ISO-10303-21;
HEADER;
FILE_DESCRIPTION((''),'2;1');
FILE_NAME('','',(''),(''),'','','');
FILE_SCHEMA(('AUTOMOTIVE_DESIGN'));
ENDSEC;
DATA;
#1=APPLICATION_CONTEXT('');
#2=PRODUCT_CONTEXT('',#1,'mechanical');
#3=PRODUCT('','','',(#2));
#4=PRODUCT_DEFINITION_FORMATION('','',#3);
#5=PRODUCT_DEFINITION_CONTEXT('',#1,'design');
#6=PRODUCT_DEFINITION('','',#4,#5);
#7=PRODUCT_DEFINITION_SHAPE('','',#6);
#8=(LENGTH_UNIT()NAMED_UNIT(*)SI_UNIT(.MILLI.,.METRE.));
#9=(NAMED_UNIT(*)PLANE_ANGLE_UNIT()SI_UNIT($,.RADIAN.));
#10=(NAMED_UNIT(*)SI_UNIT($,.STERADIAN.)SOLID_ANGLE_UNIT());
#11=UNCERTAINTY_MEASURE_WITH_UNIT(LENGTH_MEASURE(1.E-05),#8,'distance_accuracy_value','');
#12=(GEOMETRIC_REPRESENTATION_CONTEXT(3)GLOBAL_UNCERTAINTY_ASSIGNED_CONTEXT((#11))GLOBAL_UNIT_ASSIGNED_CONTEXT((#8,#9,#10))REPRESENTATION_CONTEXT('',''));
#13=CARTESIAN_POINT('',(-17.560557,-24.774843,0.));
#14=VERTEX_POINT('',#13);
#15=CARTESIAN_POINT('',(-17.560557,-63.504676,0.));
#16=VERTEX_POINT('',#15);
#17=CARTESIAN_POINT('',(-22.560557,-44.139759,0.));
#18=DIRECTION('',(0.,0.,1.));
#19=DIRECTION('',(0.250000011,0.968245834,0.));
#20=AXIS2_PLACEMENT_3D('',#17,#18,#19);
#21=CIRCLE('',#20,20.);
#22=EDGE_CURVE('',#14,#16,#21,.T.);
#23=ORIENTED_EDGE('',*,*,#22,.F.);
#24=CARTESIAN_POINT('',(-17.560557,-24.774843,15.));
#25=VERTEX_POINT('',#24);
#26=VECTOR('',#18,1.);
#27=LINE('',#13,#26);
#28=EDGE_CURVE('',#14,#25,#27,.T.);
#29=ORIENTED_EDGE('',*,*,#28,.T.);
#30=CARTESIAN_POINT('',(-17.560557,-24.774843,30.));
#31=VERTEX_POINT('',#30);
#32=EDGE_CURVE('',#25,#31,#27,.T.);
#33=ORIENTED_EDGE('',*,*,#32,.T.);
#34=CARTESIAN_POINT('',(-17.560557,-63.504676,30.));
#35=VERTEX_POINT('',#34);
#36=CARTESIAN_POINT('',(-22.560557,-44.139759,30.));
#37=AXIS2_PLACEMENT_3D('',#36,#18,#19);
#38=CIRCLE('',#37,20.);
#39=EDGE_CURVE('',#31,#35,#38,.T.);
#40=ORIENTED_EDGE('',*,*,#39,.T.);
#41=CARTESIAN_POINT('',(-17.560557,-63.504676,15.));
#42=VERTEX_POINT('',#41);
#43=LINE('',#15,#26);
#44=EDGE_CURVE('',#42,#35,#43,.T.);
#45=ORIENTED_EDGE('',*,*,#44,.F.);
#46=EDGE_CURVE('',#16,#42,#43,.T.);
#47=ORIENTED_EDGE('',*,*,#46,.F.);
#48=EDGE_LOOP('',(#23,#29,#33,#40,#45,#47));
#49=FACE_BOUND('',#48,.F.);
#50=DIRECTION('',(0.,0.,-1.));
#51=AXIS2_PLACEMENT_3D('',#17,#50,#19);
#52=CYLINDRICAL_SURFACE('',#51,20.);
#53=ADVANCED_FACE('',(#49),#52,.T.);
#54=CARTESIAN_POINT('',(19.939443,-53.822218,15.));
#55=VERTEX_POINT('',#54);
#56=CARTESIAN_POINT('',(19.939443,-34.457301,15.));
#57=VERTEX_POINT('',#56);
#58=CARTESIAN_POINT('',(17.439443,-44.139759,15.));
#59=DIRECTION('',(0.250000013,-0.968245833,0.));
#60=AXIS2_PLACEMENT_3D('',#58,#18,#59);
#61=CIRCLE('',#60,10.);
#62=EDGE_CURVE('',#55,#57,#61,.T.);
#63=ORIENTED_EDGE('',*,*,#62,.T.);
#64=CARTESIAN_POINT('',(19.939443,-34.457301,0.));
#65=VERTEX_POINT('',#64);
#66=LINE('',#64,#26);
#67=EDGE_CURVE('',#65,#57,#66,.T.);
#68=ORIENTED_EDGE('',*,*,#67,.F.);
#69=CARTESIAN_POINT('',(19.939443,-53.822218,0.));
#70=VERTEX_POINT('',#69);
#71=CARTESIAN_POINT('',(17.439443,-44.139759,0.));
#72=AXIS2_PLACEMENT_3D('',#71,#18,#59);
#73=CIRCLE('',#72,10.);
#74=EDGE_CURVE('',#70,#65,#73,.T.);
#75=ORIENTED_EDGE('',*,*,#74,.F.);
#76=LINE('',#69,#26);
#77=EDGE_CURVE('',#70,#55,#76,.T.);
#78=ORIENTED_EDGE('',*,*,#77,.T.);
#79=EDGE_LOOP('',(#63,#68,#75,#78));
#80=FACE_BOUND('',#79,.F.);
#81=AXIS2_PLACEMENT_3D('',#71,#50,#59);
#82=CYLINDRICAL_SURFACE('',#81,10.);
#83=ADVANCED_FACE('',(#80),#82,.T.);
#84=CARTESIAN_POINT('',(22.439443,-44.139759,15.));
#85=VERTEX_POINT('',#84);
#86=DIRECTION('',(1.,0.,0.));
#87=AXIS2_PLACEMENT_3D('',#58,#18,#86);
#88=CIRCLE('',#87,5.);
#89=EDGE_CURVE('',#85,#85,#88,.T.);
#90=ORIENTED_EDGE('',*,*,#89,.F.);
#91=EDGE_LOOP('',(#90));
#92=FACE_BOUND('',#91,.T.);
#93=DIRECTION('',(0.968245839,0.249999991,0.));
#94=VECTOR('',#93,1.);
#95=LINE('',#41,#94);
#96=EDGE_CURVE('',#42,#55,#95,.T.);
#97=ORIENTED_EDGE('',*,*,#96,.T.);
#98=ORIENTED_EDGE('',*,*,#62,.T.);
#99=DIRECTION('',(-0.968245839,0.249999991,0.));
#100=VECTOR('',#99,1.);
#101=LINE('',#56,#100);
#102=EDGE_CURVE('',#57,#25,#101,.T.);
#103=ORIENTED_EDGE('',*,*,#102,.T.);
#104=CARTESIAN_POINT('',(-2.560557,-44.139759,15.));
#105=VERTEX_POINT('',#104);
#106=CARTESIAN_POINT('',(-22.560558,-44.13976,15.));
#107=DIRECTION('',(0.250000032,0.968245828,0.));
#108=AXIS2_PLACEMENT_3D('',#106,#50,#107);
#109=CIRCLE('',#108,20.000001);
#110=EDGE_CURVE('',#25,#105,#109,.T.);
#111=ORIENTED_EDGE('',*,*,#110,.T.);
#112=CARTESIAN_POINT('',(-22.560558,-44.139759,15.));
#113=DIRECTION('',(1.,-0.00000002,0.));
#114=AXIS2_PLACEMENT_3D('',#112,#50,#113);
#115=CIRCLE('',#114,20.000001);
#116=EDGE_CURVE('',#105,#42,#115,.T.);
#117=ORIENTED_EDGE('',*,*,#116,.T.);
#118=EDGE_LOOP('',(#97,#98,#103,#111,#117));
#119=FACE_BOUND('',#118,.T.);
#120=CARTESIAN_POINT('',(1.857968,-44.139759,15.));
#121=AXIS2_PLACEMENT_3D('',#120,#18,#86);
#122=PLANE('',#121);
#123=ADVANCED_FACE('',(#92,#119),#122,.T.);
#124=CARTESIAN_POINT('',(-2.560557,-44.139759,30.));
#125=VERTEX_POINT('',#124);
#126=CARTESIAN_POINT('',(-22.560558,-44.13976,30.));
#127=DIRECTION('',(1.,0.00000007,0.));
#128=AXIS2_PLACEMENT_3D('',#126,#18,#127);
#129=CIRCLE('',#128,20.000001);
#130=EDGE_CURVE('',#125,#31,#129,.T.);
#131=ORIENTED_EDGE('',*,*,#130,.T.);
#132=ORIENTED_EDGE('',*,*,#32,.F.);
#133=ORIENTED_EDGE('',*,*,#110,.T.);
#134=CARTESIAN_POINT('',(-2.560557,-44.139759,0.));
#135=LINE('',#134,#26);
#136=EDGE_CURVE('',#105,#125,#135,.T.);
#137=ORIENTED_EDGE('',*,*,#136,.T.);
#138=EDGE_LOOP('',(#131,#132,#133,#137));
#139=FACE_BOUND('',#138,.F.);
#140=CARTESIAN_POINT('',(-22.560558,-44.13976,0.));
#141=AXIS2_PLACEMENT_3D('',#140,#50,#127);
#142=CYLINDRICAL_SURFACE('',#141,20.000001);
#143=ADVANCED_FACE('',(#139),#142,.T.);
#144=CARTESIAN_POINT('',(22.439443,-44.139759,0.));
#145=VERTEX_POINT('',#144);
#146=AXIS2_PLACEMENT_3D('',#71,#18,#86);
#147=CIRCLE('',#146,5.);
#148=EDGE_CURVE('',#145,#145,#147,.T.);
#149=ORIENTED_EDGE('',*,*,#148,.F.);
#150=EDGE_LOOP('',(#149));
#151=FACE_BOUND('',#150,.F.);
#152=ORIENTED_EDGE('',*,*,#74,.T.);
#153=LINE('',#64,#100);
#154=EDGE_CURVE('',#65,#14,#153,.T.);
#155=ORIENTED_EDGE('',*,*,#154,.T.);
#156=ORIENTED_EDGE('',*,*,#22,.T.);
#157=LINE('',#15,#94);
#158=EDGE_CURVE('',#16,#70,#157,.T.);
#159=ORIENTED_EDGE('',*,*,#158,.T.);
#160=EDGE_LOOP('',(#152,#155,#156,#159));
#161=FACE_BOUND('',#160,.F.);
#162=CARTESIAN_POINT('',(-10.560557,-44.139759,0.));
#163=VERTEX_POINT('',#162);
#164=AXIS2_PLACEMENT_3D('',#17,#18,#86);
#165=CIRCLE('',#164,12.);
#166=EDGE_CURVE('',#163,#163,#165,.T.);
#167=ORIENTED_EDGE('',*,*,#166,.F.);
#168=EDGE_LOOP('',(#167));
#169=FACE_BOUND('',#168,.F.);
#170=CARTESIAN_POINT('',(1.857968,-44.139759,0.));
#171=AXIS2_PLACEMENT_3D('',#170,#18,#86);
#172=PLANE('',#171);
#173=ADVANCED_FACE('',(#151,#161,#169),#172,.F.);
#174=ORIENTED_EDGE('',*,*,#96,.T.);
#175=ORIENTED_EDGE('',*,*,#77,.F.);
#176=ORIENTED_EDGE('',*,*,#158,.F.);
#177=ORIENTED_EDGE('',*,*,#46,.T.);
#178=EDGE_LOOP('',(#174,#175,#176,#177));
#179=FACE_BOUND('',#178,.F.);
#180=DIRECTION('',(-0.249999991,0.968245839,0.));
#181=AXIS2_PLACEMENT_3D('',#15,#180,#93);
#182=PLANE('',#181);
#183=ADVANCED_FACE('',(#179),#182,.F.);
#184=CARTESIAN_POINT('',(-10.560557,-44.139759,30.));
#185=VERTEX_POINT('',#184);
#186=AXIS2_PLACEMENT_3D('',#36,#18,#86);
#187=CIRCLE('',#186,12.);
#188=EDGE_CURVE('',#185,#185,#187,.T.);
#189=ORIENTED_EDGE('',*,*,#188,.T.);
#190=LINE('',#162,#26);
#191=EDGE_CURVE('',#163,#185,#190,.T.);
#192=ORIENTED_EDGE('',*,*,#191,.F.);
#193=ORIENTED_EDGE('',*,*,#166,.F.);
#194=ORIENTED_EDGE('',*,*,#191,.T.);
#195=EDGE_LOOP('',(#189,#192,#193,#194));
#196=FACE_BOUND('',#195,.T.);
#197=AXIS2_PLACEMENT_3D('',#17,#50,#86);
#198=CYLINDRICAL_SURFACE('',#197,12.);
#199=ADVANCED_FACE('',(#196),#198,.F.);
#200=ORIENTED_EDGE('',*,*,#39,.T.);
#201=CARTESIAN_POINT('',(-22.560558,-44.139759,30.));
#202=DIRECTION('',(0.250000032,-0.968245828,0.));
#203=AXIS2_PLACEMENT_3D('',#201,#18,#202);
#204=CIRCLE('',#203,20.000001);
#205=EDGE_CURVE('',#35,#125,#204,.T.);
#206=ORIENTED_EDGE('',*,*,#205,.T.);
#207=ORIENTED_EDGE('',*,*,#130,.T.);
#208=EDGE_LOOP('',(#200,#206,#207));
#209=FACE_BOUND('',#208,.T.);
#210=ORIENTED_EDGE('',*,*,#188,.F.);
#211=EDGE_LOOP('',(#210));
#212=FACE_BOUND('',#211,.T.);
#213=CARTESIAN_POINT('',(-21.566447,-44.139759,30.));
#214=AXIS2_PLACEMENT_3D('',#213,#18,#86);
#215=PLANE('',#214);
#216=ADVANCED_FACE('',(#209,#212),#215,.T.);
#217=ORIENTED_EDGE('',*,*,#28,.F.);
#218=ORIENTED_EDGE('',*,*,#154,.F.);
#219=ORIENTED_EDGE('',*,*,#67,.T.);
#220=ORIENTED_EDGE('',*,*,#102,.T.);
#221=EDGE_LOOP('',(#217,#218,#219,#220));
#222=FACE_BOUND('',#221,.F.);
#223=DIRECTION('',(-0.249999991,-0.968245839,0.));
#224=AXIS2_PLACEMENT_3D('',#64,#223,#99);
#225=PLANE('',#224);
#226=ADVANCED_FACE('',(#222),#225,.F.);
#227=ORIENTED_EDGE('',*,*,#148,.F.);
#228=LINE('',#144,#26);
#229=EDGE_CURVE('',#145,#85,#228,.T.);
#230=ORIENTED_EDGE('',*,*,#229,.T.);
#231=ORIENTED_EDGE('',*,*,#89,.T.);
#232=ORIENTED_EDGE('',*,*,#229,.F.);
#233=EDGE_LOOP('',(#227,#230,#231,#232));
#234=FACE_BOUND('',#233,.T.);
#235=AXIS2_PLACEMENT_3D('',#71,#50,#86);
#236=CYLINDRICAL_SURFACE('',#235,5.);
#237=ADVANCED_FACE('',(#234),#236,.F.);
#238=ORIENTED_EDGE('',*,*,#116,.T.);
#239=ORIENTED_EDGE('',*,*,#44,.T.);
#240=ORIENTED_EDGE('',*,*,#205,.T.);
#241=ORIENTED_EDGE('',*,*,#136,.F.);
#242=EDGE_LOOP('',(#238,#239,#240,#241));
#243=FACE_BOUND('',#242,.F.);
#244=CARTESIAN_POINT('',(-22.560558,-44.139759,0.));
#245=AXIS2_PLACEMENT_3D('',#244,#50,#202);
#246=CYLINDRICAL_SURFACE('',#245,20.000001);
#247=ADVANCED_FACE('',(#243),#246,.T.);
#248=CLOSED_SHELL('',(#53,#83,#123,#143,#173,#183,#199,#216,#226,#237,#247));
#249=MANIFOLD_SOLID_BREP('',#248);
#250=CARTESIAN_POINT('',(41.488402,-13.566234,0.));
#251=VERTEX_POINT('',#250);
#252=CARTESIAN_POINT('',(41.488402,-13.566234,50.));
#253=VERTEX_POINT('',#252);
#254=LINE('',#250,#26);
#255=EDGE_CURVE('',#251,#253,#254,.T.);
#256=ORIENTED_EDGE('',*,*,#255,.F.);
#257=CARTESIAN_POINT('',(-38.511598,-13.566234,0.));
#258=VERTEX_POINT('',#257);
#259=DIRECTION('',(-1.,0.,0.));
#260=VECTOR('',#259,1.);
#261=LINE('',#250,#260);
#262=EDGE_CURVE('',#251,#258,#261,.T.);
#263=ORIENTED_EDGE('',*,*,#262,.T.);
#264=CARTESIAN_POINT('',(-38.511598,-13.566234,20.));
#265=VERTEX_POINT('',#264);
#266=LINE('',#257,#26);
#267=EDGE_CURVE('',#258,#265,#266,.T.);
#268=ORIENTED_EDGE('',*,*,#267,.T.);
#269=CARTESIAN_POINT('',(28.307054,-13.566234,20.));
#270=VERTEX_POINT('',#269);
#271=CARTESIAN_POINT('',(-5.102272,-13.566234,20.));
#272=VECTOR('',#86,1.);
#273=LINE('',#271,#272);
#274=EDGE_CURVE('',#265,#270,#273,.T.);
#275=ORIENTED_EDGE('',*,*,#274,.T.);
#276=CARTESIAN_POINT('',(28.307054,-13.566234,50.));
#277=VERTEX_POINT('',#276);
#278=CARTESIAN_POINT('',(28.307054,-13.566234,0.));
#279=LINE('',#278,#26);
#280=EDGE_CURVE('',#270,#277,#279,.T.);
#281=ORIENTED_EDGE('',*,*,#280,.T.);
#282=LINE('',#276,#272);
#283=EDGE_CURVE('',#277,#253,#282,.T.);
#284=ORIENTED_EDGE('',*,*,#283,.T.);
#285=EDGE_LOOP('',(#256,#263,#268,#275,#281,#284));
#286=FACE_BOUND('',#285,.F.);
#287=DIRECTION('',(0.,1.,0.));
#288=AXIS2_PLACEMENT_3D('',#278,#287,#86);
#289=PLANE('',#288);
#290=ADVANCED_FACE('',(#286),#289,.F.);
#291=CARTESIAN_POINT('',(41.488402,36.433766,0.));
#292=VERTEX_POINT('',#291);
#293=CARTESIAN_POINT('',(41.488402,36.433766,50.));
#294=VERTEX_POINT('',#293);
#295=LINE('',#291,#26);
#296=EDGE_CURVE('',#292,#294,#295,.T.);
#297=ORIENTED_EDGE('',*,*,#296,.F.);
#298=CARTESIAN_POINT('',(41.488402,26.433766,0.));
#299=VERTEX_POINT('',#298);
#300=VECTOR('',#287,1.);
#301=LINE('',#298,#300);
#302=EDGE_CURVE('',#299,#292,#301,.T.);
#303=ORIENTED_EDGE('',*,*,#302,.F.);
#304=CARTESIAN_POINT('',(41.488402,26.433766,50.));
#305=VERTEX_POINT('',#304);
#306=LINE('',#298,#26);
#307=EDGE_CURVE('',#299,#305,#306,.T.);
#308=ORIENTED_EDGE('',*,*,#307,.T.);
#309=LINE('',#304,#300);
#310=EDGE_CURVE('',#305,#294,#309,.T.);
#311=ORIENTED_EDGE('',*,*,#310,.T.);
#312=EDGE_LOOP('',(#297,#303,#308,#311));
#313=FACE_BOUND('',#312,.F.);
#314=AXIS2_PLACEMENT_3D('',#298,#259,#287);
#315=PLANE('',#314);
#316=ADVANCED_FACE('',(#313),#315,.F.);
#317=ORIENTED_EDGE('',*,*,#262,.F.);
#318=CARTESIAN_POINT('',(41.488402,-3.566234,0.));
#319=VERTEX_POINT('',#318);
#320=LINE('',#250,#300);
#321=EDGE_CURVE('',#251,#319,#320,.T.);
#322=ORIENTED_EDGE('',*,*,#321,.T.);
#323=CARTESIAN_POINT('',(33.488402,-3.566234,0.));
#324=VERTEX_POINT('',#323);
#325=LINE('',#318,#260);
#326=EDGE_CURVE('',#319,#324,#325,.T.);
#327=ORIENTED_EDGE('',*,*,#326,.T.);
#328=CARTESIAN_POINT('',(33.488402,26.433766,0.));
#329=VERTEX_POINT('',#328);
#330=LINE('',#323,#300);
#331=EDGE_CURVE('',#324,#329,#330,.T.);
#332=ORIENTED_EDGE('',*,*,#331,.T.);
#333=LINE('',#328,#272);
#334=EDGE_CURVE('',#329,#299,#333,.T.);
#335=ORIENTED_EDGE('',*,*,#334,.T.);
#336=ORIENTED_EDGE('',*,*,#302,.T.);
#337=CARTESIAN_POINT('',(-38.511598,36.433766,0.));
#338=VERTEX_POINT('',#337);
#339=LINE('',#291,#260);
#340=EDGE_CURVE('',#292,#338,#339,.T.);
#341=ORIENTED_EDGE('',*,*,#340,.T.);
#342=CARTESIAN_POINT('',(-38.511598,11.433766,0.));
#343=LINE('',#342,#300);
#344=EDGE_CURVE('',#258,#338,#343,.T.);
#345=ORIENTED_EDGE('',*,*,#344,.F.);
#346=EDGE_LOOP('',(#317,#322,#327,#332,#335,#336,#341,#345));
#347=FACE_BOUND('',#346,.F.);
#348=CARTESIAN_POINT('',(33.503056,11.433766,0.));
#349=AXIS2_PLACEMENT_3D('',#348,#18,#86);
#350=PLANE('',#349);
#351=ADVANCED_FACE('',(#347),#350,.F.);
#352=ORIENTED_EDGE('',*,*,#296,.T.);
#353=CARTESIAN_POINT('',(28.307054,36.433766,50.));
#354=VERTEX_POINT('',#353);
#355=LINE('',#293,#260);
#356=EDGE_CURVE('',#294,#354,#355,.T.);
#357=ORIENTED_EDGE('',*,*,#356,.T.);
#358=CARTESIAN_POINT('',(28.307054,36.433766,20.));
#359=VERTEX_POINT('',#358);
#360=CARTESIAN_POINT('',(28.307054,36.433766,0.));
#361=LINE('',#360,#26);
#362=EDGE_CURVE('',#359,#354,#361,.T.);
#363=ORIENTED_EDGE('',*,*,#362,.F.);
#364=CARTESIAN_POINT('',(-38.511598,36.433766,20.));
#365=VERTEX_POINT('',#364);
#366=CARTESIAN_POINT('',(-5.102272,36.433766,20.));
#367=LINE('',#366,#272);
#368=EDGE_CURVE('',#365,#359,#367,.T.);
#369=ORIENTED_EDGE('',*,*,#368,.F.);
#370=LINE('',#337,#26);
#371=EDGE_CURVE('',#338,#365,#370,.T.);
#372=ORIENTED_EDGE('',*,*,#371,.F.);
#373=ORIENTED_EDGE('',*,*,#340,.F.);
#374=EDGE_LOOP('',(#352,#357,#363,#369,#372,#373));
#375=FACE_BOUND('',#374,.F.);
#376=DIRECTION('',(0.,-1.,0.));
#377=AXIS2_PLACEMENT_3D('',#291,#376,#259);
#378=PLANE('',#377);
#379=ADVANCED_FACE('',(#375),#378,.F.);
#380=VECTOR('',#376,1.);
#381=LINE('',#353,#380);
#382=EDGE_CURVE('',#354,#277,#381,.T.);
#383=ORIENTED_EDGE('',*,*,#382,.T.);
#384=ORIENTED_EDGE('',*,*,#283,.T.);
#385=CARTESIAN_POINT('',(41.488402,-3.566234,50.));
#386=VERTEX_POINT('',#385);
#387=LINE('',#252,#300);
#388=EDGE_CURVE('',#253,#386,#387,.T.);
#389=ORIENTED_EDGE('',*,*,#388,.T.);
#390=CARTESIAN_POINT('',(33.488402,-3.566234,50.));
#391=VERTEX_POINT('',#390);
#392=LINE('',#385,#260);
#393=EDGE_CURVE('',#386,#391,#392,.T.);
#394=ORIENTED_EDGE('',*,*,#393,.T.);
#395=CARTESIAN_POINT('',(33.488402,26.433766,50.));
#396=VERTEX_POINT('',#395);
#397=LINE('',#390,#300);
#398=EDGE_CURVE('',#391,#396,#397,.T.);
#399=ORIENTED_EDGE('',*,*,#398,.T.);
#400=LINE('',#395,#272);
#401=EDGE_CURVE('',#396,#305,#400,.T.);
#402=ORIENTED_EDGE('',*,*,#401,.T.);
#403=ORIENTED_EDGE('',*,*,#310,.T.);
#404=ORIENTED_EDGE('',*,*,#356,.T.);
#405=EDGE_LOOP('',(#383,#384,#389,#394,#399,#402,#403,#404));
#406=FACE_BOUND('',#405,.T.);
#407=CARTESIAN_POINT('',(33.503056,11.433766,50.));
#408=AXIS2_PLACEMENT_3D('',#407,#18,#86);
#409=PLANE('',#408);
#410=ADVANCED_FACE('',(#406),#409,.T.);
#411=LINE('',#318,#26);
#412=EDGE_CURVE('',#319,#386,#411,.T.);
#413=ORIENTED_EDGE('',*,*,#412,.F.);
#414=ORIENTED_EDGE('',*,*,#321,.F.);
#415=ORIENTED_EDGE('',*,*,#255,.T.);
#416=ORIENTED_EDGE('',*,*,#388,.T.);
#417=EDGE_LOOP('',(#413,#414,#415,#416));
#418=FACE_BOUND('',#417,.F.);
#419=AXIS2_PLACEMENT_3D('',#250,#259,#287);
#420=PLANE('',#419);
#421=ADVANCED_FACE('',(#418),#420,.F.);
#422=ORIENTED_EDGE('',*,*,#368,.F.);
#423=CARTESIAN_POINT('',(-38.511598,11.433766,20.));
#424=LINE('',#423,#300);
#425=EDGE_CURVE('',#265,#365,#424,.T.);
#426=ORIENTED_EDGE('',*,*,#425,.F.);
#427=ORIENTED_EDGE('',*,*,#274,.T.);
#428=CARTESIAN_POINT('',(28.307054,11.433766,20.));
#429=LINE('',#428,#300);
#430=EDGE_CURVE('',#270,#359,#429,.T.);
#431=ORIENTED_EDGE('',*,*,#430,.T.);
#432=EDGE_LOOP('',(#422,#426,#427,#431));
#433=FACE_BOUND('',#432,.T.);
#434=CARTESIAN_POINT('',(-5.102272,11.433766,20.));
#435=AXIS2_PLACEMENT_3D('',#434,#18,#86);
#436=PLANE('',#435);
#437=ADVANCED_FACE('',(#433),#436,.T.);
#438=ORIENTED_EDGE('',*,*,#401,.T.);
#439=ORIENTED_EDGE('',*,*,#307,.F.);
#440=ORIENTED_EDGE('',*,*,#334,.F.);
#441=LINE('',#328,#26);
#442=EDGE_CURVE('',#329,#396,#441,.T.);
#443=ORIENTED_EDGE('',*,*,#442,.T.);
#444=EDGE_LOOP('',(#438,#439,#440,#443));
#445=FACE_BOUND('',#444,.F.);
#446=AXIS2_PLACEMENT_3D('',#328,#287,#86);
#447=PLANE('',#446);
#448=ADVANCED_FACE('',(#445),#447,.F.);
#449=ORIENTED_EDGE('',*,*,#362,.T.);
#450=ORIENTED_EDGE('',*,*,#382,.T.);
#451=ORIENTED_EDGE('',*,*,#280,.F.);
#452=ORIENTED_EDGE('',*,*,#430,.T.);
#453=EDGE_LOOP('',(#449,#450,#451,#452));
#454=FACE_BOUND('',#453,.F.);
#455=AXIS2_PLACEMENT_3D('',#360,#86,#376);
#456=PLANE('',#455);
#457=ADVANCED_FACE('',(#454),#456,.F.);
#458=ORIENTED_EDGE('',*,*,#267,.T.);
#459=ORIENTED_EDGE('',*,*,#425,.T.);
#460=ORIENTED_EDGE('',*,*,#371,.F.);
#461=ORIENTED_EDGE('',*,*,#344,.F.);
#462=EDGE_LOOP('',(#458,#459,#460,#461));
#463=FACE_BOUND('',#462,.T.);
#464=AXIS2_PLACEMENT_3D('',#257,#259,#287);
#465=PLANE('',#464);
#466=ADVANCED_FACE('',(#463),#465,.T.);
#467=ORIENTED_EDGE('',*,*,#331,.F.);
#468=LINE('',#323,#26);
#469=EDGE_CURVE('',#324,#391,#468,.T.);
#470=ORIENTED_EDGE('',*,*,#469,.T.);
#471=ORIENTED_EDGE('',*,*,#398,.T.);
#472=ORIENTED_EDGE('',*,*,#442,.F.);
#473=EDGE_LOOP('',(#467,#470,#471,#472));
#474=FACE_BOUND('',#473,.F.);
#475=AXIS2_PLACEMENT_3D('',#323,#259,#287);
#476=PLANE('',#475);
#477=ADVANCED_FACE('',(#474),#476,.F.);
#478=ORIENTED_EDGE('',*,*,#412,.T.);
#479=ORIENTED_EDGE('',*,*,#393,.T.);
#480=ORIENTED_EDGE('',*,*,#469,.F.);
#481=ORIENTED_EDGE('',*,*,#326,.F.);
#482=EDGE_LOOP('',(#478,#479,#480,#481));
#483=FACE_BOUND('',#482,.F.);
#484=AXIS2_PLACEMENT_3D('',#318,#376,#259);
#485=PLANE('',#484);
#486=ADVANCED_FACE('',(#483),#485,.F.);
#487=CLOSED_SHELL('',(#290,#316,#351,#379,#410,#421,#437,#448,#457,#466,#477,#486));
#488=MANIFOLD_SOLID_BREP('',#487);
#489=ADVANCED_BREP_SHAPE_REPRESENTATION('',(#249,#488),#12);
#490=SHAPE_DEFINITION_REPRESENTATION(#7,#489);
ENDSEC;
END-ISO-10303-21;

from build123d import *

# Parameters (mm, degrees)
F0_W     = 66.818652
F0_H     = 50
F1_DEPTH = 20
F2_DEPTH = 50
F3_R     = 12
F4_DEPTH = 30
F3_R_2   = 5
F5_DEPTH = 15


with BuildPart() as f1:
    # F0 (on Top) → F1 (new body)
    with BuildSketch(Plane.XY):
        with Locations((-5.102272, 11.433766)):
            Rectangle(F0_W, F0_H)
    extrude(amount=F1_DEPTH)

    # F0 (on Top) → F2 (join)
    with BuildSketch(Plane.XY):
        Polygon((41.488402, 36.433766), (28.307054, 36.433766), (28.307054, -13.566234), (41.488402, -13.566234), (41.488402, -3.566234), (33.488402, -3.566234), (33.488402, 26.433766), (41.488402, 26.433766), align=None)
    extrude(amount=F2_DEPTH)


with BuildPart() as f4:
    # F3 (on Top) → F4 (new body)
    with BuildSketch(Plane.XY):
        with BuildLine():
            ThreePointArc((-17.560557, -63.504676), (-6.749169, -56.387208), (-2.560557, -44.139759))
            ThreePointArc((-2.560557, -44.139759), (-6.749169, -31.892311), (-17.560557, -24.774843))
            ThreePointArc((-17.560557, -24.774843), (-42.560557, -44.139759), (-17.560557, -63.504676))
        make_face()
        with Locations((-22.560557, -44.139759)):
            Circle(F3_R, mode=Mode.SUBTRACT)
    extrude(amount=F4_DEPTH)

    # F3 (on Top) → F5 (join)
    with BuildSketch(Plane.XY):
        with BuildLine():
            ThreePointArc((-17.560557, -24.774843), (-6.749169, -31.892311), (-2.560557, -44.139759))
            ThreePointArc((-2.560557, -44.139759), (-6.749169, -56.387208), (-17.560557, -63.504676))
            Line((-17.560557, -63.504676), (19.939443, -53.822218))
            ThreePointArc((19.939443, -53.822218), (27.439443, -44.139759), (19.939443, -34.457301))
            Line((19.939443, -34.457301), (-17.560557, -24.774843))
        make_face()
        with Locations((17.439443, -44.139759)):
            Circle(F3_R_2, mode=Mode.SUBTRACT)
    extrude(amount=F5_DEPTH)


solid = Compound([f1.part, f4.part])
